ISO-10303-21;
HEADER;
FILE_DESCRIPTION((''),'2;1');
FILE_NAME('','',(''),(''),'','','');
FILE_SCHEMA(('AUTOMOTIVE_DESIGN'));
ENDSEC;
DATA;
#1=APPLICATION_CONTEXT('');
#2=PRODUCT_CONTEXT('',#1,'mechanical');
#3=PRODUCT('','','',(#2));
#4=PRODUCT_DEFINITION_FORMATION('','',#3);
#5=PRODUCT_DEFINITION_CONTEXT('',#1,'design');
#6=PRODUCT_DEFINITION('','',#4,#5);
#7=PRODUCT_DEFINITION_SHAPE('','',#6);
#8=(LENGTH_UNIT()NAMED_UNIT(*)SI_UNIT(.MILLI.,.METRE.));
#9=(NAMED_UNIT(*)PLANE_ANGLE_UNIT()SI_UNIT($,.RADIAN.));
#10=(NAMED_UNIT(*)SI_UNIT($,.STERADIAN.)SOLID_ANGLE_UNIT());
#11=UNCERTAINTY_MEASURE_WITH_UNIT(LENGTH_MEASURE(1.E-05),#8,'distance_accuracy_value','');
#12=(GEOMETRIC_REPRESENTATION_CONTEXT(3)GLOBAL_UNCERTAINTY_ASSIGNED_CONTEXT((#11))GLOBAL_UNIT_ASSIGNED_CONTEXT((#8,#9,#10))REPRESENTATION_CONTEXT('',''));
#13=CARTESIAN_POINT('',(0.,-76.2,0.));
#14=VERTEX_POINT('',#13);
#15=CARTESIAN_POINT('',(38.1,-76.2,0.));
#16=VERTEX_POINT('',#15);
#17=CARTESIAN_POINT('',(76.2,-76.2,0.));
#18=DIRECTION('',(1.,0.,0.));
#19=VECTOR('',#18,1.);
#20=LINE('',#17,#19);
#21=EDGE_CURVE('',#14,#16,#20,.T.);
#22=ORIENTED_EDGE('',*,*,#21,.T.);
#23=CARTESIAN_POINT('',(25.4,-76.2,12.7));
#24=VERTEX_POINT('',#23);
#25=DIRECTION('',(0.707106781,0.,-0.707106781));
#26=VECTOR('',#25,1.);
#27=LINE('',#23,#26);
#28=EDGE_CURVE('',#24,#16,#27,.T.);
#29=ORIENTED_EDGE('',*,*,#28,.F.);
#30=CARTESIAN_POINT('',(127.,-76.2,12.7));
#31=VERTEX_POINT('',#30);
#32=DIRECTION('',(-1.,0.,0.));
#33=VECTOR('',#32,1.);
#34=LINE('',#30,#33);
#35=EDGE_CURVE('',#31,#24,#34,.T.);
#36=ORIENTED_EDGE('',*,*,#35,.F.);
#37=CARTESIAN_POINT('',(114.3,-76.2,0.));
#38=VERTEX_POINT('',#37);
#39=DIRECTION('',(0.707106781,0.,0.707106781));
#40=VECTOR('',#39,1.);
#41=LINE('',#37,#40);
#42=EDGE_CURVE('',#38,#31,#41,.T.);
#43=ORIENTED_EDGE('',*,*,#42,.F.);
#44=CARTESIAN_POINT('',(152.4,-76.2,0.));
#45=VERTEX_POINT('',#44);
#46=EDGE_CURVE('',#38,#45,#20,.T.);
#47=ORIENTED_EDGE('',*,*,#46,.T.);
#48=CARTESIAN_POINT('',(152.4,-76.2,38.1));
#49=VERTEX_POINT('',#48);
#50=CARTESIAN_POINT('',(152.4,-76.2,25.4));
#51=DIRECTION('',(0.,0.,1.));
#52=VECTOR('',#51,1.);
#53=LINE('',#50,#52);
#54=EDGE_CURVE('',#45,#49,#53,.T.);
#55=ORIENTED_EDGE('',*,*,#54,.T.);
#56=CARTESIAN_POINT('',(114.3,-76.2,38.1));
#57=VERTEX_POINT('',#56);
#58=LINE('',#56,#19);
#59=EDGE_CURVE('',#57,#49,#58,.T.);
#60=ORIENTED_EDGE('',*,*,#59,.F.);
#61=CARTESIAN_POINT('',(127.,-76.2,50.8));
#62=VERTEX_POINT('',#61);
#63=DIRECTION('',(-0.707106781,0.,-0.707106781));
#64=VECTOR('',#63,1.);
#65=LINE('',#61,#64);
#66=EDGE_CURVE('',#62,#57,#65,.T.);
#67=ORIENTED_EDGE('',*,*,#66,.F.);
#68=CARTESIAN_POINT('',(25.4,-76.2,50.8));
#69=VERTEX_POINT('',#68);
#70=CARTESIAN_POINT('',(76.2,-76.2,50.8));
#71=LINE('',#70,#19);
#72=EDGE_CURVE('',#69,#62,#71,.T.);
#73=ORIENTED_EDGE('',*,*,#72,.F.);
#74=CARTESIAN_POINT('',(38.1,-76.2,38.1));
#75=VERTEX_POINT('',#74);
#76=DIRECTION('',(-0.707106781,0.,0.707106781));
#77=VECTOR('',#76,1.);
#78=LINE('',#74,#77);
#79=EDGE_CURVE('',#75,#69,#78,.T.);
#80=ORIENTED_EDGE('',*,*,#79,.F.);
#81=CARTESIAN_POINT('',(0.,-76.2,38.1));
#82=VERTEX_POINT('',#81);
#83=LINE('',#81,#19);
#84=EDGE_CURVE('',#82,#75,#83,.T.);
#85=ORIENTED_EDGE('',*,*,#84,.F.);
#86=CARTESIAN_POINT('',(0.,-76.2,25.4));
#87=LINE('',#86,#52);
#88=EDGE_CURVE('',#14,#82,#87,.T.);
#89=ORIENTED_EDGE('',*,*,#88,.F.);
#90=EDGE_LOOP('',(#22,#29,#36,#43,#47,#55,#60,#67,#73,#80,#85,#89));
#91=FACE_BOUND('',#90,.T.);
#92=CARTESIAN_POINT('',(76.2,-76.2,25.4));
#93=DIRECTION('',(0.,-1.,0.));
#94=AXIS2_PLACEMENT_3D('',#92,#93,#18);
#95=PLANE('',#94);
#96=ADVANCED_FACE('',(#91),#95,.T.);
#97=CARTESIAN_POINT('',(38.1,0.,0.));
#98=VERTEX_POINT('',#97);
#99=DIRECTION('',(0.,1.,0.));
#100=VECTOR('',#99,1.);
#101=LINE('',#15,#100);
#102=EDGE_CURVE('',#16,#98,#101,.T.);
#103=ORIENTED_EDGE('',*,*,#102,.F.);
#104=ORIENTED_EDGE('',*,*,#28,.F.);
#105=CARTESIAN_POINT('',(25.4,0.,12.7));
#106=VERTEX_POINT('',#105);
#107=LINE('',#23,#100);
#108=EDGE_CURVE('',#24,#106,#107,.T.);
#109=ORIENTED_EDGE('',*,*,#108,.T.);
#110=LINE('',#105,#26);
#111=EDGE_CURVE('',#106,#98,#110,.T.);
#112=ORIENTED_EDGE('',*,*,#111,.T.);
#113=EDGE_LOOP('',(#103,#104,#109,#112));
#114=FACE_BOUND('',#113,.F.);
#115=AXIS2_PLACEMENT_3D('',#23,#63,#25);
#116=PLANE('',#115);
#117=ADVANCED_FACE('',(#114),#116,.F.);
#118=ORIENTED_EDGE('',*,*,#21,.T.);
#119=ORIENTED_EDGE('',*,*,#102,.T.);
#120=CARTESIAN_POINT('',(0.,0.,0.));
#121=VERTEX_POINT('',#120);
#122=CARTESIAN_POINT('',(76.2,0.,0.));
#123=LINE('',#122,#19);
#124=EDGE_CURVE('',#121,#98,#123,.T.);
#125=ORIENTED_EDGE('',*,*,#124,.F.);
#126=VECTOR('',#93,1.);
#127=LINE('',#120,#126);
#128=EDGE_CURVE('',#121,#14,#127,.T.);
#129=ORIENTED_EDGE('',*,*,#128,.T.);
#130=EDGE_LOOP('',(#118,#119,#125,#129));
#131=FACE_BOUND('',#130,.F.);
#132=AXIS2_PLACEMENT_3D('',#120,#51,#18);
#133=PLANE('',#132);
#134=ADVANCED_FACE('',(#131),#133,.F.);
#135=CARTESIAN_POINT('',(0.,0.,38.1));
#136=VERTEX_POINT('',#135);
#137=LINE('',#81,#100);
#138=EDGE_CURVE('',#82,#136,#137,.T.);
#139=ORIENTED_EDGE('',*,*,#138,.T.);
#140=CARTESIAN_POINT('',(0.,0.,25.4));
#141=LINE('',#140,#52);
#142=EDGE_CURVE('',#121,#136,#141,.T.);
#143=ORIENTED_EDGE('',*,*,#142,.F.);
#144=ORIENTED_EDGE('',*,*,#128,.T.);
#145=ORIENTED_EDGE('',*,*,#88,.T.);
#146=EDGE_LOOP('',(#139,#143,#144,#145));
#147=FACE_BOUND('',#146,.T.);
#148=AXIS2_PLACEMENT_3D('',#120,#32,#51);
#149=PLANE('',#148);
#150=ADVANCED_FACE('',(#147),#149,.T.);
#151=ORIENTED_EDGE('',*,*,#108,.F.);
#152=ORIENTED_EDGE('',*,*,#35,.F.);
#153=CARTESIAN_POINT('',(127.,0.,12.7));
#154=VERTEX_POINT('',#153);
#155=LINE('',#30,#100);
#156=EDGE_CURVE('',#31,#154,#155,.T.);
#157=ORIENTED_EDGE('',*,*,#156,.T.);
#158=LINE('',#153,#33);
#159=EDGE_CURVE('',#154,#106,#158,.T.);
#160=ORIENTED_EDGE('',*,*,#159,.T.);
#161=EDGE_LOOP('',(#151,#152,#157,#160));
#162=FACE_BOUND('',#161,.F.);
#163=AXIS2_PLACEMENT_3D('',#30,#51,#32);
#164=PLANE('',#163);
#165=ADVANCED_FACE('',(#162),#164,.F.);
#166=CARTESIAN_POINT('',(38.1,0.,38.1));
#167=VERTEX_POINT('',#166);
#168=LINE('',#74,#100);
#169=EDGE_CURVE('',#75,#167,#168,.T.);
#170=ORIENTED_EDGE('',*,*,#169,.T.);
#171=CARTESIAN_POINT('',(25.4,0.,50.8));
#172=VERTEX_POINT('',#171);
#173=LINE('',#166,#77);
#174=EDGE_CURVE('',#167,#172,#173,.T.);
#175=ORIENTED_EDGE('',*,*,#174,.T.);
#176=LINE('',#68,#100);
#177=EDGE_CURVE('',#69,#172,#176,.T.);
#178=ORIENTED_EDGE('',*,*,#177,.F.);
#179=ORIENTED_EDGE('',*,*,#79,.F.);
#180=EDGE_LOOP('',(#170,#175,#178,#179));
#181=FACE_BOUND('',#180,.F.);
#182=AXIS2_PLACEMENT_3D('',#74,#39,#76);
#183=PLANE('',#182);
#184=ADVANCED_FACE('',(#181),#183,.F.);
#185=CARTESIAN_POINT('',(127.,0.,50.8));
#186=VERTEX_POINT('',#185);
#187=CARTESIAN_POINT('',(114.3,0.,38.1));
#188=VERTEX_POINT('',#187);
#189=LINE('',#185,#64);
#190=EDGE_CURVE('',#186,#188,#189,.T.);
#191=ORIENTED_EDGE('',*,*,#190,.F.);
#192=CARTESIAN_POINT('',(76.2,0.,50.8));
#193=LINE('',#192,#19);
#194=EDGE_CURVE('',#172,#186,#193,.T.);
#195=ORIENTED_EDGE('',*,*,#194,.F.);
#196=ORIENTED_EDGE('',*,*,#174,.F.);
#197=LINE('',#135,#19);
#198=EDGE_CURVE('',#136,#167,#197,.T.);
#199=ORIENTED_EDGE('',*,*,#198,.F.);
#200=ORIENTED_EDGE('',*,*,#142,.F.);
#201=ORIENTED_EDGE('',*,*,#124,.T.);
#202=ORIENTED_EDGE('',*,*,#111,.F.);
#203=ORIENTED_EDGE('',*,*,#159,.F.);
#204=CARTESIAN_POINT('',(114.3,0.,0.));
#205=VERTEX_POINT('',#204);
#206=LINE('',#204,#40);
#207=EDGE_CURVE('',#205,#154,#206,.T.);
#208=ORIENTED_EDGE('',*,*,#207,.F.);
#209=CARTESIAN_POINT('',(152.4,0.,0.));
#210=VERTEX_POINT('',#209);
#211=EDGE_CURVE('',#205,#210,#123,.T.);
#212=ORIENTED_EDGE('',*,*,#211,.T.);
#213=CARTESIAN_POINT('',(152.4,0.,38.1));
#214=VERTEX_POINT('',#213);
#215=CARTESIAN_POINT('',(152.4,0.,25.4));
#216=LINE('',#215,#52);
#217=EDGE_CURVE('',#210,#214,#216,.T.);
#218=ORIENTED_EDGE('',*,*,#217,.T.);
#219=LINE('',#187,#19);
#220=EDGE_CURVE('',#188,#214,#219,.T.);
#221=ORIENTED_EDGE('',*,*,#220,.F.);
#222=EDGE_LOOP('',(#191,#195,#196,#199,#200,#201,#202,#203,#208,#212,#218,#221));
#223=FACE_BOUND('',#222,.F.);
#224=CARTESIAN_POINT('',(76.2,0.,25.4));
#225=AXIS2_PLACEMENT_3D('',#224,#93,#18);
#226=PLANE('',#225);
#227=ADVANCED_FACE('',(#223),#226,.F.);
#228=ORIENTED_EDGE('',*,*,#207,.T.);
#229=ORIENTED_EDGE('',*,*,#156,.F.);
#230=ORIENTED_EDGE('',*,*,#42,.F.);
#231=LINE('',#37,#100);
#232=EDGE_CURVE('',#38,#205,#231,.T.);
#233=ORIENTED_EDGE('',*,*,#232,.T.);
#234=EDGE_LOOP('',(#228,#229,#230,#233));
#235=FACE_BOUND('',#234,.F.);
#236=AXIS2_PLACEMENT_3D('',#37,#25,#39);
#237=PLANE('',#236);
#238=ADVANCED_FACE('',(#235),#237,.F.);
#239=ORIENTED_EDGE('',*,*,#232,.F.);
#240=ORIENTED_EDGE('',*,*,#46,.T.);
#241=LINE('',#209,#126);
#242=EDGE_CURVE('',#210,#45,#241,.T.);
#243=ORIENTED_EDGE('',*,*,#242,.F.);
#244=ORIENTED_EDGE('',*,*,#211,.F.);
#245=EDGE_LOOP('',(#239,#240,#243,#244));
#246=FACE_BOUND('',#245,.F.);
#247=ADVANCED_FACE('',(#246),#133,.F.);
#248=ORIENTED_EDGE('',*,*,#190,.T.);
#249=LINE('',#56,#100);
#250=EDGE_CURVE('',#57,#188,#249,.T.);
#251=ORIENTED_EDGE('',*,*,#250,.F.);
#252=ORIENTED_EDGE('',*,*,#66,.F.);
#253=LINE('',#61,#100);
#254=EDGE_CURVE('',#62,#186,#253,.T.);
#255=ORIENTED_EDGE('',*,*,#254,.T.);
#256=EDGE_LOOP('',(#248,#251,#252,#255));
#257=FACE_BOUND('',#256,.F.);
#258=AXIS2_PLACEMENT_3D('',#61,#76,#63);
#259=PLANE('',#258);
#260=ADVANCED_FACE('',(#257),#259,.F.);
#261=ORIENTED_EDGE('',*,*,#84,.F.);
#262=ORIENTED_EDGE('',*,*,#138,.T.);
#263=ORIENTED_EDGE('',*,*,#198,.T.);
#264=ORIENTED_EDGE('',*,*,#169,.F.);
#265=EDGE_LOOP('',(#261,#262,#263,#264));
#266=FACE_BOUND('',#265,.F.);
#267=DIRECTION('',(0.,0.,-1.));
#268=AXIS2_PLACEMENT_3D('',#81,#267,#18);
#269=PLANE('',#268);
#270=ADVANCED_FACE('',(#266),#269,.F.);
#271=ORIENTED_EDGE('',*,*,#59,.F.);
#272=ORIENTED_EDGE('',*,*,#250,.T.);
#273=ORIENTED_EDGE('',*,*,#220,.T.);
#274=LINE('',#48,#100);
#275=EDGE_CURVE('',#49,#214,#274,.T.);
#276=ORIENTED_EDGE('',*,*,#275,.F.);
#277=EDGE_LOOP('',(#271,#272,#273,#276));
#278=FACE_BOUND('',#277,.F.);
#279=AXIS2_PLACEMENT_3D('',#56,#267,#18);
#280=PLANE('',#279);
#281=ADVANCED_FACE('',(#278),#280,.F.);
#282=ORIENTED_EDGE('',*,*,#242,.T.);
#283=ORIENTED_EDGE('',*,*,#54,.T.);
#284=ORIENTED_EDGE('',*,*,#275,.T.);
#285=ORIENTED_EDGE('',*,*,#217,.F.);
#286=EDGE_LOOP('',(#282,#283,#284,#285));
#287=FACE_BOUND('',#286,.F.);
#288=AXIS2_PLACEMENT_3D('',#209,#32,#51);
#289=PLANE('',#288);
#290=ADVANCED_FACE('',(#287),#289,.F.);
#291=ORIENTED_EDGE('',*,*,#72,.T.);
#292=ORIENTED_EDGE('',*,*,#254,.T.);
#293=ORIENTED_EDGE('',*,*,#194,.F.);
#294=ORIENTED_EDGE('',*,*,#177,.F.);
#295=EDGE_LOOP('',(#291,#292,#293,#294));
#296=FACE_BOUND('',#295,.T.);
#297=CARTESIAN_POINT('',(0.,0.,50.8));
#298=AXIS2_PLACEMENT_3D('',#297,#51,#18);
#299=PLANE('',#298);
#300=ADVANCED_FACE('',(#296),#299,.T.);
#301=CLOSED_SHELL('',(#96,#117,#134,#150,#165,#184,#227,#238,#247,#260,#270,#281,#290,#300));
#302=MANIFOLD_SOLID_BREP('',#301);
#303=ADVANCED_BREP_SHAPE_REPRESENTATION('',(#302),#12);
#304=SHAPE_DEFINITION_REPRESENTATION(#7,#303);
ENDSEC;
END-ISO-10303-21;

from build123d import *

# Parameters (mm, degrees)
F0_W     = 152.4
F0_H     = 50.8
F1_DEPTH = 76.2
F3_DEPTH = 76.2
F5_DEPTH = 76.2
F7_DEPTH = 76.2


with BuildPart() as f1:
    # F0 (on Front) → F1 (new body)
    with BuildSketch(Plane.XZ):
        with Locations((76.2, 25.4)):
            Rectangle(F0_W, F0_H)
    extrude(amount=F1_DEPTH)

    # F2 (on face) → F3 (cut)
    with BuildSketch(Plane.XZ.offset(76.2)):
        Polygon((25.4, 50.8), (0, 50.8), (0, 38.1), (38.1, 38.1), align=None)
    extrude(amount=-F3_DEPTH, mode=Mode.SUBTRACT)

    # F4 (on face) → F5 (cut)
    with BuildSketch(Plane.XZ.offset(76.2)):
        Polygon((152.4, 38.1), (152.4, 50.8), (127, 50.8), (114.3, 38.1), align=None)
    extrude(amount=-F5_DEPTH, mode=Mode.SUBTRACT)

    # F6 (on face) → F7 (cut)
    with BuildSketch(Plane.XZ.offset(76.2)):
        Polygon((25.4, 12.7), (38.1, 0), (114.3, 0), (127, 12.7), align=None)
    extrude(amount=-F7_DEPTH, mode=Mode.SUBTRACT)


solid = f1.part
